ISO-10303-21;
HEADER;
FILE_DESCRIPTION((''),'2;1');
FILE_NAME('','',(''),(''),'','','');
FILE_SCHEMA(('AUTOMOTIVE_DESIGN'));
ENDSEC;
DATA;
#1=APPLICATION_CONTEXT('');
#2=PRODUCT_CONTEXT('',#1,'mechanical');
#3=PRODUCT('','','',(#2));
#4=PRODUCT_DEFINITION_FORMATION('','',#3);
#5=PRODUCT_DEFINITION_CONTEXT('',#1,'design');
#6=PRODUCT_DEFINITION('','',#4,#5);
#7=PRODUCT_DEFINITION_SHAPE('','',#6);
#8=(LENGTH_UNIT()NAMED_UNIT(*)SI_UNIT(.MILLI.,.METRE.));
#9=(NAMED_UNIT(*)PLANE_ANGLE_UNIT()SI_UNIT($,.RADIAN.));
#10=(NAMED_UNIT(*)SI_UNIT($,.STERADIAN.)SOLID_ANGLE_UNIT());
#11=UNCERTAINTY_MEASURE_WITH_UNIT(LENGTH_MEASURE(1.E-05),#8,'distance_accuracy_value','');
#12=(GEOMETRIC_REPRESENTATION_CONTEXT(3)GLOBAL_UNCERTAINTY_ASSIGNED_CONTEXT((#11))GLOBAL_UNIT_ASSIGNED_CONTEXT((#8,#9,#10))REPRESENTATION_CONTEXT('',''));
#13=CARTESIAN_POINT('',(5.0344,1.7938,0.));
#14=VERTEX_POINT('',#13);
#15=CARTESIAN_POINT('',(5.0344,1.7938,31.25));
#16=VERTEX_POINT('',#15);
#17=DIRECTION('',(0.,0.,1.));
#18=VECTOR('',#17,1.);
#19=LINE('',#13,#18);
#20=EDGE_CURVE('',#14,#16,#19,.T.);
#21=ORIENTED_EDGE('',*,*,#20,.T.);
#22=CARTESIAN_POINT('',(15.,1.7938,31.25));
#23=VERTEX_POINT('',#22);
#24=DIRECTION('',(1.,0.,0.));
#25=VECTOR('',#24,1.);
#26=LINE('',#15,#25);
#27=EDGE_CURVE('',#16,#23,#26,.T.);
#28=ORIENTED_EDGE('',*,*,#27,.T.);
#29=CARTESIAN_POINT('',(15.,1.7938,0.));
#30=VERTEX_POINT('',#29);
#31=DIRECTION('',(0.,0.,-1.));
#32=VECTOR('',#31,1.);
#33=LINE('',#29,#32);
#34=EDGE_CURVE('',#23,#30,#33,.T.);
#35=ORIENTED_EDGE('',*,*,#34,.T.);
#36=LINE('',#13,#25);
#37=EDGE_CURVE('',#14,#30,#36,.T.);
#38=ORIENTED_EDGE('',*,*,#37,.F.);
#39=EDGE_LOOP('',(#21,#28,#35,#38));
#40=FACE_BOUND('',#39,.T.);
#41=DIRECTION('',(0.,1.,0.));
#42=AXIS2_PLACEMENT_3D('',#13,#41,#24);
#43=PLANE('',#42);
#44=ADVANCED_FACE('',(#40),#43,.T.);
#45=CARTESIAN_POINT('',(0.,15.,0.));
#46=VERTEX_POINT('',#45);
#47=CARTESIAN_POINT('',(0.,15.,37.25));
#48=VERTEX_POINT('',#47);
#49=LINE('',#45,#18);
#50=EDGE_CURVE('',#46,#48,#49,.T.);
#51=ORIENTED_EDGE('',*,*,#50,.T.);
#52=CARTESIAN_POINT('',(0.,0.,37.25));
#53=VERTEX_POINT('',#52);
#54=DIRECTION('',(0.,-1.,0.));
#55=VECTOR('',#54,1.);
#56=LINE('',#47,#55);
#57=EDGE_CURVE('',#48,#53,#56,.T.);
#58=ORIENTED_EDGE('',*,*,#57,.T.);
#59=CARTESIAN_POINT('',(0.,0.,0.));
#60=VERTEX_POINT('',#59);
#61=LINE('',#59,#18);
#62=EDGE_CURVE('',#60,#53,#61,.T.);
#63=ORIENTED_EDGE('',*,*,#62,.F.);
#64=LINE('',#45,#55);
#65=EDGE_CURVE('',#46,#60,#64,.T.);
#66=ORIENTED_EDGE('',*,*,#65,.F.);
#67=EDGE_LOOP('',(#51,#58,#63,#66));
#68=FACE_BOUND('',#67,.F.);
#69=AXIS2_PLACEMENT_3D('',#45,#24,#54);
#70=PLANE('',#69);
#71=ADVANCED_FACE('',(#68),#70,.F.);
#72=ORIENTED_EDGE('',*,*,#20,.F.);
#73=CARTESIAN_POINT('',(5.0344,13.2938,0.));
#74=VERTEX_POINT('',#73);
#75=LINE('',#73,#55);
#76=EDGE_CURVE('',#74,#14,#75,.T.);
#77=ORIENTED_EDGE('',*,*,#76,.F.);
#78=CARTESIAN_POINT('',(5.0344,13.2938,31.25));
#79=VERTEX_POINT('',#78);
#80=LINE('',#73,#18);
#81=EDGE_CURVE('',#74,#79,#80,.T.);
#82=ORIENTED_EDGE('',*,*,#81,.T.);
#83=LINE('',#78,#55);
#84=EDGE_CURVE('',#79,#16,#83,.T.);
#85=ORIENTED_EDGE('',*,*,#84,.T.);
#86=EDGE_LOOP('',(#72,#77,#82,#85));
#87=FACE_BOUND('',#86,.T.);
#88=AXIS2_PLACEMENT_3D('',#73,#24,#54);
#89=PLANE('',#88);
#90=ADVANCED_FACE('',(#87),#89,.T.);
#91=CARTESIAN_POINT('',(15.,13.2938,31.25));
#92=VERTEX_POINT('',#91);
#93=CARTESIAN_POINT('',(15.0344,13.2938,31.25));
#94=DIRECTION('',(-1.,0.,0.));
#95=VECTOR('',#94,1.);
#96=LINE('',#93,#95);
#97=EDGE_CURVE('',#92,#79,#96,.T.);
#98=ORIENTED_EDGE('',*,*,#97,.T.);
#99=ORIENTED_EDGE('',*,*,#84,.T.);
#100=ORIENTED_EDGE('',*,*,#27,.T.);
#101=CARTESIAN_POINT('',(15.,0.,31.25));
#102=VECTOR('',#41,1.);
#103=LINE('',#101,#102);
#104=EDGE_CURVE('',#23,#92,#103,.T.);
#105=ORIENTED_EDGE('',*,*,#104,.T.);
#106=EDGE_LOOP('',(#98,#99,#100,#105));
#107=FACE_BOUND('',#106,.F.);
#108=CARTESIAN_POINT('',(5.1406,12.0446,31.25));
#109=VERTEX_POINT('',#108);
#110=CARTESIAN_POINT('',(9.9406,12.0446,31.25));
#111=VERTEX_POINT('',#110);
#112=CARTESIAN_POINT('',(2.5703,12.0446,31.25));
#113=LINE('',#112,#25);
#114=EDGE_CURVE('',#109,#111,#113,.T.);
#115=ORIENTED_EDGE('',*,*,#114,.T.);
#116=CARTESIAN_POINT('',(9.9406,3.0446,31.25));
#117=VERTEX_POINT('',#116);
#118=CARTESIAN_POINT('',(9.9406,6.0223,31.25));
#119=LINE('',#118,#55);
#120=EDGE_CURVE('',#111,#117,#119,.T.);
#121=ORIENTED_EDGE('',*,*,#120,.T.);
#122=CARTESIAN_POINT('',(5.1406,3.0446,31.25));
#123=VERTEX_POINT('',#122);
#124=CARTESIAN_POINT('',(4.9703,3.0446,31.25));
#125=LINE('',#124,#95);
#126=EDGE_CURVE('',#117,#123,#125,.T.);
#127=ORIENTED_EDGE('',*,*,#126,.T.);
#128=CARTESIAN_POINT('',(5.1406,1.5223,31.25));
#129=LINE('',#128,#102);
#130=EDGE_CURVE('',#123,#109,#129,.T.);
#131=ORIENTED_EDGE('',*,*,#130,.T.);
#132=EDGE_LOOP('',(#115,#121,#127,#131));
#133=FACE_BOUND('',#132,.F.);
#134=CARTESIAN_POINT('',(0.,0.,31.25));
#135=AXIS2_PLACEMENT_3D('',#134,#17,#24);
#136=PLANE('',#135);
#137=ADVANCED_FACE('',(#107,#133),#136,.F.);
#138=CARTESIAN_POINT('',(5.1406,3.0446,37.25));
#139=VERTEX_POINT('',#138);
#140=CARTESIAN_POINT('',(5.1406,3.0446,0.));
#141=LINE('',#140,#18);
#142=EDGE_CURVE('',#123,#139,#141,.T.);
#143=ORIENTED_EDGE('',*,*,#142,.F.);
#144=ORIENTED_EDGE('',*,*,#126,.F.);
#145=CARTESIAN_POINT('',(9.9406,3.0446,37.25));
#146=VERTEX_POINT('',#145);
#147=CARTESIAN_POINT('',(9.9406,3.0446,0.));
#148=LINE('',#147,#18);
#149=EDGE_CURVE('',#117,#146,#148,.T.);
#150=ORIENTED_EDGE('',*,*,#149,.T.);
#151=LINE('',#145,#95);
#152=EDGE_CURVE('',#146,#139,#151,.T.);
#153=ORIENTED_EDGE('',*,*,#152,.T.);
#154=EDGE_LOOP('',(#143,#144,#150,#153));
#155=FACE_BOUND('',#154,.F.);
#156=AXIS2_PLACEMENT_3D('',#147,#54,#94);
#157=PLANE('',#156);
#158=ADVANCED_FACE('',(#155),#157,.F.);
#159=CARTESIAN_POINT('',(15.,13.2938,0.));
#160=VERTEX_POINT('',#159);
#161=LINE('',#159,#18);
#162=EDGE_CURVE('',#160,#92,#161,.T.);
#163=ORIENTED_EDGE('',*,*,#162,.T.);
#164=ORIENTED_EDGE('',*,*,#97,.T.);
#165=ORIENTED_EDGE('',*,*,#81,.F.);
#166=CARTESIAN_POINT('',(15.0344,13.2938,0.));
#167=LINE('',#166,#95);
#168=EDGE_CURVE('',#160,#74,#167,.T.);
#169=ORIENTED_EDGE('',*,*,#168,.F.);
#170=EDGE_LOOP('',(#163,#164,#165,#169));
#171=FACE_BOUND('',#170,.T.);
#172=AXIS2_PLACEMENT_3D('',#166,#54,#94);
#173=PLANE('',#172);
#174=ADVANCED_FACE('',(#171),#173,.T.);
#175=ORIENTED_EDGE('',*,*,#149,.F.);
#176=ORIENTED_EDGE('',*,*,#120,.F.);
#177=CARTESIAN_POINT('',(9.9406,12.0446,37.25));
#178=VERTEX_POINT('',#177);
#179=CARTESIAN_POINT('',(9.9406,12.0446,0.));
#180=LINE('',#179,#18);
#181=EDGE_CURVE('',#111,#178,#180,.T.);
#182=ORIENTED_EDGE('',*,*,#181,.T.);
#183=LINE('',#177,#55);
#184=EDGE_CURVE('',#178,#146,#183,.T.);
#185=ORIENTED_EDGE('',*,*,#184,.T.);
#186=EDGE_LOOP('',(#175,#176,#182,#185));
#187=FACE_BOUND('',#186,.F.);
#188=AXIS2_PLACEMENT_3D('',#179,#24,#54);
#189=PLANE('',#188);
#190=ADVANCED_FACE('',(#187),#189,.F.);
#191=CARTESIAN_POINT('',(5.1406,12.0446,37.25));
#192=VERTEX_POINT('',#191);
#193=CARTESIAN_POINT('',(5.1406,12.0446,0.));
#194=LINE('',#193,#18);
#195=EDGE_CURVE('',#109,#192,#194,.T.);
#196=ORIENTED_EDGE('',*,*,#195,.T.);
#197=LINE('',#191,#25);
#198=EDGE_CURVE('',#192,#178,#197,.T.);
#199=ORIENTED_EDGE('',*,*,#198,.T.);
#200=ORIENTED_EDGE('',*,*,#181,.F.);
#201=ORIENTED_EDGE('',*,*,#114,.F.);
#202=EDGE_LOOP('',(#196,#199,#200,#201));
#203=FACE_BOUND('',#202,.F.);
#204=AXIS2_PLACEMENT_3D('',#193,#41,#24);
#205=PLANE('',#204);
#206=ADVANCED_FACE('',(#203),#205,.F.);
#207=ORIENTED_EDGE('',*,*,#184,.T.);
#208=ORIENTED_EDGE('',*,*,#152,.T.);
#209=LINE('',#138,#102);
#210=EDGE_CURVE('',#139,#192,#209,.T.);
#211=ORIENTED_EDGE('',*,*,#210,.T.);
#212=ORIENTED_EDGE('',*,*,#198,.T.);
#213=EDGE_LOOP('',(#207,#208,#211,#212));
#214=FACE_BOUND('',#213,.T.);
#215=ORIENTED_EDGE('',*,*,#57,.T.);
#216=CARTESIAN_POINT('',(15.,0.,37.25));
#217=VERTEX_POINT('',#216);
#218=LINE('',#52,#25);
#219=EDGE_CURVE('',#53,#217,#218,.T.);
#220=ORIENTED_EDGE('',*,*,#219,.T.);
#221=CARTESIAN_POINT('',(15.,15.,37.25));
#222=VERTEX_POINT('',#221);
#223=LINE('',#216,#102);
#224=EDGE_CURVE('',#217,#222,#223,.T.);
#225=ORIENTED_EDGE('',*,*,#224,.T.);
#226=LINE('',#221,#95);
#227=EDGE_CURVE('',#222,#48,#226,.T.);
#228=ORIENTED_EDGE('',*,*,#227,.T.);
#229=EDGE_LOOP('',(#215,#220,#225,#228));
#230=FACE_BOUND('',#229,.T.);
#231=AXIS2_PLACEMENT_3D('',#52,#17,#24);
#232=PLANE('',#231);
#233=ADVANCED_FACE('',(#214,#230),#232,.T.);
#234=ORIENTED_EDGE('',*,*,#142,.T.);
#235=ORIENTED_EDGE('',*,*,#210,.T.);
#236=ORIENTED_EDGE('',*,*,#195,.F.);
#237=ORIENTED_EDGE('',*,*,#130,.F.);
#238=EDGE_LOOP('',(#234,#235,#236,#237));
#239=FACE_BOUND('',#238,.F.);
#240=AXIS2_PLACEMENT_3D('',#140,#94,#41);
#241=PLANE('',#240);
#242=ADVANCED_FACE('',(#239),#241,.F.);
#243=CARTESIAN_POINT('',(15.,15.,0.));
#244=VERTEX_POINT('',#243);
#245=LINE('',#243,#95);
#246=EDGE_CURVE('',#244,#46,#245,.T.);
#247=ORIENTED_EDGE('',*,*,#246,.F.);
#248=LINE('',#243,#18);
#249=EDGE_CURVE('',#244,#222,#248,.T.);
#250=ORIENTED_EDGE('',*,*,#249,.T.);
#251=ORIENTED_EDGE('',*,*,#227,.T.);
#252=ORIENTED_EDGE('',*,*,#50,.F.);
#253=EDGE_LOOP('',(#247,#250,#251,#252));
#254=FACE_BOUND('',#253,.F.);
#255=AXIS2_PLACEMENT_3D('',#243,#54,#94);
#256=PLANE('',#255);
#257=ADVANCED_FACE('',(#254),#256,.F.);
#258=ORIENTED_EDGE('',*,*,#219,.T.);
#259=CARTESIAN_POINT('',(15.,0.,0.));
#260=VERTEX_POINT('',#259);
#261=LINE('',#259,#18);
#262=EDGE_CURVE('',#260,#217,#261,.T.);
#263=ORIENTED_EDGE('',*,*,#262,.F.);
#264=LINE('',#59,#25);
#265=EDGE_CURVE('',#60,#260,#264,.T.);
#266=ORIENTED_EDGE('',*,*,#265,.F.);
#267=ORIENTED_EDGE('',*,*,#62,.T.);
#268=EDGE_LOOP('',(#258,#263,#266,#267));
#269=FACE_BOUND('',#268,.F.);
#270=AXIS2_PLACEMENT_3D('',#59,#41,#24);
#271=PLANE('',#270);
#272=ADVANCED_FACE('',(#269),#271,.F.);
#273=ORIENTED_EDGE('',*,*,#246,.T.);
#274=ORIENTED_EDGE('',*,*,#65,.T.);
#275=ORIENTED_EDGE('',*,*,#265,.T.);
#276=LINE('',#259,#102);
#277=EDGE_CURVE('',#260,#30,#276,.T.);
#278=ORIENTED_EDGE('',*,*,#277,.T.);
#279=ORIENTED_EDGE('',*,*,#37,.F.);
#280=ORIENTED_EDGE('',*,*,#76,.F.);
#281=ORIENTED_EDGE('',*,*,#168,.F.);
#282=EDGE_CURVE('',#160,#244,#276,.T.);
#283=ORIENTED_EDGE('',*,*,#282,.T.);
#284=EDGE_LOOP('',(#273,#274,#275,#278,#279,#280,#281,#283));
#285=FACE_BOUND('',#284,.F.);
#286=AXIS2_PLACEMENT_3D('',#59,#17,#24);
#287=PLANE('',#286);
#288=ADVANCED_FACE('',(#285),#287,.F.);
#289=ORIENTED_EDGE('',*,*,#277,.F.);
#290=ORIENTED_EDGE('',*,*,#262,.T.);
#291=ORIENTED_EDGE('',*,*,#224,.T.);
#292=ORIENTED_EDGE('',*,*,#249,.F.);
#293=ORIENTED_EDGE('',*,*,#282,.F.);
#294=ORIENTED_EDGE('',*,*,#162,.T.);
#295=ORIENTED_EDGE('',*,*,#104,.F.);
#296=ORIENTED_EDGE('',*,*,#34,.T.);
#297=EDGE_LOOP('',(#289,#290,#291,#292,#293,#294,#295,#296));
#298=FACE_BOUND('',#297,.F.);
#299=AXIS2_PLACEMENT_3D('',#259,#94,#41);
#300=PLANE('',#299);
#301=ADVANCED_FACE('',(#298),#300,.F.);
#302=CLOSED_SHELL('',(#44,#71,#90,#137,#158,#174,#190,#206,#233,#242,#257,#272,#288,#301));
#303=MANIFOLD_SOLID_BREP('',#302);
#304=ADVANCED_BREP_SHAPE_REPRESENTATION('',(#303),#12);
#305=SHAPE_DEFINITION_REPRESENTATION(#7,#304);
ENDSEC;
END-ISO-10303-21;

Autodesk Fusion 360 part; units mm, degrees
sketch "Sketch1" plane through (0, 0, 0) normal (0, 0, 1) x (1, 0, 0)
  line L0 (0, 0) -> (15, 0)
  line L1 (15, 0) -> (15, 15)
  line L2 (15, 15) -> (0, 15)
  line L3 (0, 15) -> (0, 0)
  line L4 (5.1406, 12.0446) -> (9.9406, 12.0446)
  line L5 (9.9406, 12.0446) -> (9.9406, 3.0446)
  line L6 (9.9406, 3.0446) -> (5.1406, 3.0446)
  line L7 (5.1406, 3.0446) -> (5.1406, 12.0446)
  dimension "d1" = 15
  dimension "d2" = 15
  dimension "d3" = 4.8
  dimension "d4" = 9
extrude "Extrude1" add sketch "Sketch1" along normal blind 37.25
sketch "Sketch4" plane through (0, 0, 0) normal (0, 0, 1) x (1, 0, 0)
  line L0 (5.0344, 1.7938) -> (15.0344, 1.7938)
  line L1 (15.0344, 1.7938) -> (15.0344, 13.2938)
  line L2 (15.0344, 13.2938) -> (5.0344, 13.2938)
  line L3 (5.0344, 13.2938) -> (5.0344, 1.7938)
  dimension "d14" = 10
  dimension "d15" = 11.5
extrude "Extrude5" cut sketch "Sketch4" along normal blind 31.25
sketch "Sketch5" plane through (15, 0, 0) normal (1, 0, 0) x (0, 1, 0)
  line L0 (13.2938, 0) -> (15, 0)
  line L1 (15, 0) -> (15, 37.25)
  line L2 (15, 37.25) -> (0, 37.25)
  line L3 (0, 37.25) -> (0, 0)
  line L4 (2.5112, 0) -> (12.5112, 0)
  line L5 (12.5112, 0) -> (12.5112, 25)
  line L6 (12.5112, 25) -> (2.5112, 25)
  line L7 (2.5112, 25) -> (2.5112, 0)
  line L8 (13.2938, 31.25) -> (13.2938, 0)
  line L9 (0, 0) -> (1.7938, 0)
  line L10 (1.7938, 0) -> (1.7938, 31.25)
  line L11 (1.7938, 31.25) -> (13.2938, 31.25)
  dimension "d18" = 25
  dimension "d21" = 10
extrude "Extrude6" cut sketch "Sketch5" against normal blind 7 contours L4 L5 L6 L7
